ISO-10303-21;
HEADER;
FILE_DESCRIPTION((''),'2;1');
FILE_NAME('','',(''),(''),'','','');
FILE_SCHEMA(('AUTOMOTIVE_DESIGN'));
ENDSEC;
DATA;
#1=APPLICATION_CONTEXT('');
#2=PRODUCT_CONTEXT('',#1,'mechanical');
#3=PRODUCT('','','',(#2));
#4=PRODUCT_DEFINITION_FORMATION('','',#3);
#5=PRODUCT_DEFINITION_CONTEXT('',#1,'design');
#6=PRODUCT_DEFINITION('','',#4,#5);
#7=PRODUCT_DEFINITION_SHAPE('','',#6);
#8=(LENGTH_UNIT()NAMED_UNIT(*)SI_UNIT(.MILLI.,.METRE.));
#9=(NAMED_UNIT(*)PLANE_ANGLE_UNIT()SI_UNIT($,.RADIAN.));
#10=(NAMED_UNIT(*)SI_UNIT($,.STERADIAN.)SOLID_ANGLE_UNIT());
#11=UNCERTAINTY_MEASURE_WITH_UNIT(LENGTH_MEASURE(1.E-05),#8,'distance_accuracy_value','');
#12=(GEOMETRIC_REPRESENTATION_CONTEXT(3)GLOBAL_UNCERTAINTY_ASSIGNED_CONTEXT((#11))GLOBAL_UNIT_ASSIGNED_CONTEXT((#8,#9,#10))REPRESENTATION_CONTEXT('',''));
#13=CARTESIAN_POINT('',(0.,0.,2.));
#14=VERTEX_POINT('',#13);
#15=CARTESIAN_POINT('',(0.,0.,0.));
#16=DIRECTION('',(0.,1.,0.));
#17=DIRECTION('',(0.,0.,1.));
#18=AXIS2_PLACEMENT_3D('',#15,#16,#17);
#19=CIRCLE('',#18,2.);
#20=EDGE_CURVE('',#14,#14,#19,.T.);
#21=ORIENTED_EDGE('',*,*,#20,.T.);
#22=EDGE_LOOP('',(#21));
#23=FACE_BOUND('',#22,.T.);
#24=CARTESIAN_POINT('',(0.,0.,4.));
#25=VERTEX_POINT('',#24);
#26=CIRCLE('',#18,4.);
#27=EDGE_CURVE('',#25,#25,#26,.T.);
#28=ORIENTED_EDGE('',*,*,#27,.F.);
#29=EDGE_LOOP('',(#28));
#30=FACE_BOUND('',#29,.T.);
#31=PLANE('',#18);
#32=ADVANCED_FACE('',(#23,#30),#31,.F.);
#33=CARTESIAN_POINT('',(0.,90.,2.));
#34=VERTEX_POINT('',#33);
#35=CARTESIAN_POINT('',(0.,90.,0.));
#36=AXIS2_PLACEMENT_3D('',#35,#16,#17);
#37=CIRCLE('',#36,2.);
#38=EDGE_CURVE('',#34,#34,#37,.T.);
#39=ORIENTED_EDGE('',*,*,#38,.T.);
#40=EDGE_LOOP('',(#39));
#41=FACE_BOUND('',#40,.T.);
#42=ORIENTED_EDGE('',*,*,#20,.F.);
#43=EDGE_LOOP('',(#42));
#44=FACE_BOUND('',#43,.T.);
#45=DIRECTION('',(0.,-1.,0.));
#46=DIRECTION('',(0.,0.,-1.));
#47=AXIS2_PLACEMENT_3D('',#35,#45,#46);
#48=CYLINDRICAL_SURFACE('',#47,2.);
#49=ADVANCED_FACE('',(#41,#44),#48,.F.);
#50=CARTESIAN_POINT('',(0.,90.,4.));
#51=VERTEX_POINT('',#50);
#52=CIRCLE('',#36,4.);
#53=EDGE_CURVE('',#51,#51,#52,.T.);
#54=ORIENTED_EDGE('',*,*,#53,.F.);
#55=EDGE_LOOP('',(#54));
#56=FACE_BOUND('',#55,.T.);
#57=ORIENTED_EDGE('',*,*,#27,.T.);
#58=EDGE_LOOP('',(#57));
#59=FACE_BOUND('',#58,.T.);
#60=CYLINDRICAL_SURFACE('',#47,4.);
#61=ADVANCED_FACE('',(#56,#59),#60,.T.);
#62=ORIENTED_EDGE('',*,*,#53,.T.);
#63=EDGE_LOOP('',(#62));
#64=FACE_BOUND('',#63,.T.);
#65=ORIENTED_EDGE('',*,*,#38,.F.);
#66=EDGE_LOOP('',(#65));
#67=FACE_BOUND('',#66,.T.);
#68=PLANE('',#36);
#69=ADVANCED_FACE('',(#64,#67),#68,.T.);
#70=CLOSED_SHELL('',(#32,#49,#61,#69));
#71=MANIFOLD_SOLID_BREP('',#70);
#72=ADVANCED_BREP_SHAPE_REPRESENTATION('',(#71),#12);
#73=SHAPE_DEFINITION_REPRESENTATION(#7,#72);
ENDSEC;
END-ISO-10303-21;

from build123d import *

# Parameters (mm, degrees)
SKETCH_1_R      = 4
SKETCH_1_R_2    = 2
EXTRUDE_1_DEPTH = 90


with BuildPart() as part:
    # 草图1 → 凸台-拉伸1 (new body)
    with BuildSketch(Plane(origin=(0, 0, 0), x_dir=(1, 0, 0), z_dir=(0, 1, 0))):
        Circle(SKETCH_1_R)
        Circle(SKETCH_1_R_2, mode=Mode.SUBTRACT)
    extrude(amount=EXTRUDE_1_DEPTH)


solid = part.part
